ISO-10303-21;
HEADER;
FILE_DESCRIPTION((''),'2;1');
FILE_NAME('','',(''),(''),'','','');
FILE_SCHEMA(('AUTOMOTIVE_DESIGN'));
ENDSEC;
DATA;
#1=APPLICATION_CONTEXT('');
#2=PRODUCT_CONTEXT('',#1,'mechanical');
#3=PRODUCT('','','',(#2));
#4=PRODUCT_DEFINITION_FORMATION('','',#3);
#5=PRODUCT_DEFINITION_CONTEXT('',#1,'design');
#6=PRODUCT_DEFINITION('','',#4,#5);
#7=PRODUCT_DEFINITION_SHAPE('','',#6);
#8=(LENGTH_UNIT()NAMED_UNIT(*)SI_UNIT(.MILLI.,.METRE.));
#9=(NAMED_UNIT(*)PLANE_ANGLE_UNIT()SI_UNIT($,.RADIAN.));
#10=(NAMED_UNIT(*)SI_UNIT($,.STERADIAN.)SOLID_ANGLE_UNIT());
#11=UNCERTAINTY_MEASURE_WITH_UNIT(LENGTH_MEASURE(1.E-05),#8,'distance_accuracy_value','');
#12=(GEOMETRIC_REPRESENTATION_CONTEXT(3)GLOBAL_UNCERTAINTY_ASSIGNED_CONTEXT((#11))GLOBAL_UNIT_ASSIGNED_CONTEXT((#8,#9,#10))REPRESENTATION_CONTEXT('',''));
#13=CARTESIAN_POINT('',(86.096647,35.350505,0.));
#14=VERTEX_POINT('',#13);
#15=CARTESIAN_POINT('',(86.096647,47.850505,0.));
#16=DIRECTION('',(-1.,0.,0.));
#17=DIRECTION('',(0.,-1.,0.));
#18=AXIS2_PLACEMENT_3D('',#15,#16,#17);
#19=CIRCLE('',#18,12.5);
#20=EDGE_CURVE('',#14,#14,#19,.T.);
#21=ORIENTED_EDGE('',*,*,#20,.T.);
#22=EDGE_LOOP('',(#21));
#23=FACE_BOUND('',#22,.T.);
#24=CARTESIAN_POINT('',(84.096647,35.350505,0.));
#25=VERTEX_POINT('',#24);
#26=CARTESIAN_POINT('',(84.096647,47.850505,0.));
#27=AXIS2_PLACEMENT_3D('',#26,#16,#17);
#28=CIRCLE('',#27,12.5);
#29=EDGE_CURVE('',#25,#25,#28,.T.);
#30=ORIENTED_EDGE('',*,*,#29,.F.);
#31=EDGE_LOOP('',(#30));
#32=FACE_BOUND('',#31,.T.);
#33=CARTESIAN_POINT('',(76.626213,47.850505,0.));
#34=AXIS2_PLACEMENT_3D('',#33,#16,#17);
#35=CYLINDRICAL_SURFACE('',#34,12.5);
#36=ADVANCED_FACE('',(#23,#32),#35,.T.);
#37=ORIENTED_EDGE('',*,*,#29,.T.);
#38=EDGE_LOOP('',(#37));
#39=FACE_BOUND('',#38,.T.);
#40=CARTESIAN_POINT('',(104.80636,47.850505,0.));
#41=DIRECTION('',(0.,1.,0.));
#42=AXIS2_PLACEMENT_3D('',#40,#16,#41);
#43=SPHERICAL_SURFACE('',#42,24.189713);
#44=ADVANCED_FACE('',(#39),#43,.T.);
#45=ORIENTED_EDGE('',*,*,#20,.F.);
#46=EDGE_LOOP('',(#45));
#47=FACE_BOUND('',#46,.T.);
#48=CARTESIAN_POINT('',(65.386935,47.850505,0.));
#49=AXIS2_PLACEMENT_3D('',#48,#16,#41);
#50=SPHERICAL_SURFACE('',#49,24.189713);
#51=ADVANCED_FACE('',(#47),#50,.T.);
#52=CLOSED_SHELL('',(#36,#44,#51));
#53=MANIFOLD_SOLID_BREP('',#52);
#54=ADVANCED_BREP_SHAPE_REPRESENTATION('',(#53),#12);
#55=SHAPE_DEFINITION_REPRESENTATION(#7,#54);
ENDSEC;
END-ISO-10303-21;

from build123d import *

# Parameters (mm, degrees)
SKETCH_1_ONE_SIDE_W = 2
SKETCH_1_ONE_SIDE_H = 12.5


with BuildPart() as part:
    # 草图1 one side → 旋转1 (revolve)
    with BuildSketch(Plane.XY):
        with Locations((85.096647416, 54.100504944)):
            Rectangle(SKETCH_1_ONE_SIDE_W, SKETCH_1_ONE_SIDE_H)
        with BuildLine():
            Line((80.616647416, 47.850504944), (84.096647416, 47.850504944))
            Line((84.096647416, 47.850504944), (84.096647416, 60.350504944))
            ThreePointArc((84.096647416, 60.350504944), (81.502881826, 54.338193284), (80.616647416, 47.850504944))
        make_face()
        with BuildLine():
            Line((86.096647416, 47.850504944), (89.576647416, 47.850504944))
            ThreePointArc((89.576647416, 47.850504944), (88.690413006, 54.338193284), (86.096647416, 60.350504944))
            Line((86.096647416, 60.350504944), (86.096647416, 47.850504944))
        make_face()
    revolve(axis=Axis((76.626212861, 47.850504944, 0), (1, 0, 0)))


solid = part.part
